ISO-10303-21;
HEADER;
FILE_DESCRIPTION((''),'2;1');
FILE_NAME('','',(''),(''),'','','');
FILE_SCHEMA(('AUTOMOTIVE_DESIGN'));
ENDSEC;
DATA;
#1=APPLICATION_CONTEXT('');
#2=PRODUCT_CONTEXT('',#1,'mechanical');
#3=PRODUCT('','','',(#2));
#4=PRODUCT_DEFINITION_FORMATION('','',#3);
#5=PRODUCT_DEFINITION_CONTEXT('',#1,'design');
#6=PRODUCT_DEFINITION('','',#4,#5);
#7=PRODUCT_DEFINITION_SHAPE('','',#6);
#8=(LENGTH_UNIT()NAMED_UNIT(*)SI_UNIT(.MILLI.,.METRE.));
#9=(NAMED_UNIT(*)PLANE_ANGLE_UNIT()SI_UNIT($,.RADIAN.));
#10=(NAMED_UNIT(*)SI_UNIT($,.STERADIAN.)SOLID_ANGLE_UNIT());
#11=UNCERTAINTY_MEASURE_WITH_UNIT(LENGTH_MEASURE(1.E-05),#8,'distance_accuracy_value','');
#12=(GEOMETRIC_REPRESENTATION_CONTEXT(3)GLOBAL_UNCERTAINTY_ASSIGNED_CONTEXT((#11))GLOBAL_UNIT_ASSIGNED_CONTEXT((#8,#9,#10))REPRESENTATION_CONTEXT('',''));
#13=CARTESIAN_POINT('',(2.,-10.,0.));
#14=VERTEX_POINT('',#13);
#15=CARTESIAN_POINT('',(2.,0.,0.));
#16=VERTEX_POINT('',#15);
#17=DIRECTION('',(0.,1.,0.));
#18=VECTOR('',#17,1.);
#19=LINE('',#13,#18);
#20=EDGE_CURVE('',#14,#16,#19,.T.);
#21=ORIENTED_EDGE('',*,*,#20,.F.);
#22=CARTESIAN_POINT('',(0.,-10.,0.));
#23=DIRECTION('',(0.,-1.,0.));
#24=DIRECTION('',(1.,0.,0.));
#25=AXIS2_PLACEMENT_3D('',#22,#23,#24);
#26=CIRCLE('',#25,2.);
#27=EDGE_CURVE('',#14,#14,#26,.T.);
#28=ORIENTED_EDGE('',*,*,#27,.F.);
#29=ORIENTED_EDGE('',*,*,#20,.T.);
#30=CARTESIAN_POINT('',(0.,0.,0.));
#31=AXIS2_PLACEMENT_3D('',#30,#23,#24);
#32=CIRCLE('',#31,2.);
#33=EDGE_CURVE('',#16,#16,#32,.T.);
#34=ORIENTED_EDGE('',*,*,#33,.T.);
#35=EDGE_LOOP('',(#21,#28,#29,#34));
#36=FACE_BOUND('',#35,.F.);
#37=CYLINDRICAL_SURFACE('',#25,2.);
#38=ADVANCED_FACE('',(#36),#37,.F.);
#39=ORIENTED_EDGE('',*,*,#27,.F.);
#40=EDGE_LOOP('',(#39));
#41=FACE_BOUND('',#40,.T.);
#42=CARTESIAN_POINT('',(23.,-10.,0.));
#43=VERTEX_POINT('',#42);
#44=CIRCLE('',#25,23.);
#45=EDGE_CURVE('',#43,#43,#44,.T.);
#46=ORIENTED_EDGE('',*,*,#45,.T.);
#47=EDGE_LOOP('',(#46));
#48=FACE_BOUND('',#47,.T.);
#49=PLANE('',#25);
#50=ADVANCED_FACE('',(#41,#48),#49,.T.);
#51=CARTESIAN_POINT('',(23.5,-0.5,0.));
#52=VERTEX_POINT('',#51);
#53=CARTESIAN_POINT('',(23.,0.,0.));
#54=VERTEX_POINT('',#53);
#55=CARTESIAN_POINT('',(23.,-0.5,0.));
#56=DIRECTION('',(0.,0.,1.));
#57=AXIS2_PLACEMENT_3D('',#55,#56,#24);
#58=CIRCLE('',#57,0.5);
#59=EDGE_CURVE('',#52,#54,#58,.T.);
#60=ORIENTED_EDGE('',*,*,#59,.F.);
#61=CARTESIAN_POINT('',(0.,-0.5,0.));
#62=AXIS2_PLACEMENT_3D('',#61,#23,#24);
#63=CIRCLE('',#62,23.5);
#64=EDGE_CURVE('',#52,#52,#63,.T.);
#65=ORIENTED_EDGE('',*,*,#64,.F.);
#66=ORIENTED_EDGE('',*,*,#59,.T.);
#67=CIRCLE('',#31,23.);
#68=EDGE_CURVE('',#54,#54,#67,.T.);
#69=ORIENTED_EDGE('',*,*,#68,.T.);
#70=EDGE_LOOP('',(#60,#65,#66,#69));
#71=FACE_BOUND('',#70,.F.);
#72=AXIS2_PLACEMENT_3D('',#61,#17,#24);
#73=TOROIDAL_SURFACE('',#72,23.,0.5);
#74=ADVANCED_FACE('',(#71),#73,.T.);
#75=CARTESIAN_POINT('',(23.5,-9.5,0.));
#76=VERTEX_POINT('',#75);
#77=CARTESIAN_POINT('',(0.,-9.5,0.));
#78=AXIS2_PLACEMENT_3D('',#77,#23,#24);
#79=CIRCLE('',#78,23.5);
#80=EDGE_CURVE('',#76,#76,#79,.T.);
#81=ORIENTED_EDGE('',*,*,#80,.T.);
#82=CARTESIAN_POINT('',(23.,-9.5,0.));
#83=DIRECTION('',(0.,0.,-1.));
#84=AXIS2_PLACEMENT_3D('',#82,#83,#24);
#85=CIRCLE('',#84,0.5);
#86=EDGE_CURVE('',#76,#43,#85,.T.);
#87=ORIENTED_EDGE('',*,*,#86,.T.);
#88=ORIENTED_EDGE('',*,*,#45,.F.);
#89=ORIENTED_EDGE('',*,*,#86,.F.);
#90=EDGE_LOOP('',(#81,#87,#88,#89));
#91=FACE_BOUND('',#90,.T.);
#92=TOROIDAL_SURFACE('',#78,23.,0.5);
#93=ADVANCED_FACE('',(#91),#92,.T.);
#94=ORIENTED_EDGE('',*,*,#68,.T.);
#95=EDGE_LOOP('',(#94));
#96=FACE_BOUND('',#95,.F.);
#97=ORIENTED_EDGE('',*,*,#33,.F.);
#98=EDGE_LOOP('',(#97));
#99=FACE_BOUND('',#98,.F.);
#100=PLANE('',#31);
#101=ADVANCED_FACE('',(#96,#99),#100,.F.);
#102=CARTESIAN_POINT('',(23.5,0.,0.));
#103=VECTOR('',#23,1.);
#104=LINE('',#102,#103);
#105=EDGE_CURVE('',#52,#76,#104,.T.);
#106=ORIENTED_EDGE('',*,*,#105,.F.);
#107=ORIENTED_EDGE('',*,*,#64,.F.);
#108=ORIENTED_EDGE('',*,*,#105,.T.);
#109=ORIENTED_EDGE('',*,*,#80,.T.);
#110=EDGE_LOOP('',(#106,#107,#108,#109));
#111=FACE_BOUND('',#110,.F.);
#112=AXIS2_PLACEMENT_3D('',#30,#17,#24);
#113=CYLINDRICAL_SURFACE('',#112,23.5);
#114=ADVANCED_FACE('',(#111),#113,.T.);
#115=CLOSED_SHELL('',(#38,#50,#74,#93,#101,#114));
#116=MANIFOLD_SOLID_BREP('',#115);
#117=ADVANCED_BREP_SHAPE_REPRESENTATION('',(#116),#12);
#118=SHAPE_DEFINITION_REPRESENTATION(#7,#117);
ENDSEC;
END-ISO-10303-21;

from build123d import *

# Parameters (mm, degrees)
F0_R     = 23.5
F1_DEPTH = 10
F2_R     = 2
F3_DEPTH = 25.4
F4_R     = 0.5


with BuildPart() as f1:
    # F0 (on Front) → F1 (new body)
    with BuildSketch(Plane.XZ):
        Circle(F0_R)
    extrude(amount=F1_DEPTH)

    # F2 (on face) → F3 (cut)
    with BuildSketch(Plane.XZ.offset(10)):
        Circle(F2_R)
    extrude(amount=-F3_DEPTH, mode=Mode.SUBTRACT)

    # F4
    f4_edges = [f1.edges().sort_by_distance(p)[0] for p in [
        (-23.5, -10, 0),
        (-23.5, 0, 0),
    ]]
    fillet(f4_edges, radius=F4_R)


solid = f1.part
